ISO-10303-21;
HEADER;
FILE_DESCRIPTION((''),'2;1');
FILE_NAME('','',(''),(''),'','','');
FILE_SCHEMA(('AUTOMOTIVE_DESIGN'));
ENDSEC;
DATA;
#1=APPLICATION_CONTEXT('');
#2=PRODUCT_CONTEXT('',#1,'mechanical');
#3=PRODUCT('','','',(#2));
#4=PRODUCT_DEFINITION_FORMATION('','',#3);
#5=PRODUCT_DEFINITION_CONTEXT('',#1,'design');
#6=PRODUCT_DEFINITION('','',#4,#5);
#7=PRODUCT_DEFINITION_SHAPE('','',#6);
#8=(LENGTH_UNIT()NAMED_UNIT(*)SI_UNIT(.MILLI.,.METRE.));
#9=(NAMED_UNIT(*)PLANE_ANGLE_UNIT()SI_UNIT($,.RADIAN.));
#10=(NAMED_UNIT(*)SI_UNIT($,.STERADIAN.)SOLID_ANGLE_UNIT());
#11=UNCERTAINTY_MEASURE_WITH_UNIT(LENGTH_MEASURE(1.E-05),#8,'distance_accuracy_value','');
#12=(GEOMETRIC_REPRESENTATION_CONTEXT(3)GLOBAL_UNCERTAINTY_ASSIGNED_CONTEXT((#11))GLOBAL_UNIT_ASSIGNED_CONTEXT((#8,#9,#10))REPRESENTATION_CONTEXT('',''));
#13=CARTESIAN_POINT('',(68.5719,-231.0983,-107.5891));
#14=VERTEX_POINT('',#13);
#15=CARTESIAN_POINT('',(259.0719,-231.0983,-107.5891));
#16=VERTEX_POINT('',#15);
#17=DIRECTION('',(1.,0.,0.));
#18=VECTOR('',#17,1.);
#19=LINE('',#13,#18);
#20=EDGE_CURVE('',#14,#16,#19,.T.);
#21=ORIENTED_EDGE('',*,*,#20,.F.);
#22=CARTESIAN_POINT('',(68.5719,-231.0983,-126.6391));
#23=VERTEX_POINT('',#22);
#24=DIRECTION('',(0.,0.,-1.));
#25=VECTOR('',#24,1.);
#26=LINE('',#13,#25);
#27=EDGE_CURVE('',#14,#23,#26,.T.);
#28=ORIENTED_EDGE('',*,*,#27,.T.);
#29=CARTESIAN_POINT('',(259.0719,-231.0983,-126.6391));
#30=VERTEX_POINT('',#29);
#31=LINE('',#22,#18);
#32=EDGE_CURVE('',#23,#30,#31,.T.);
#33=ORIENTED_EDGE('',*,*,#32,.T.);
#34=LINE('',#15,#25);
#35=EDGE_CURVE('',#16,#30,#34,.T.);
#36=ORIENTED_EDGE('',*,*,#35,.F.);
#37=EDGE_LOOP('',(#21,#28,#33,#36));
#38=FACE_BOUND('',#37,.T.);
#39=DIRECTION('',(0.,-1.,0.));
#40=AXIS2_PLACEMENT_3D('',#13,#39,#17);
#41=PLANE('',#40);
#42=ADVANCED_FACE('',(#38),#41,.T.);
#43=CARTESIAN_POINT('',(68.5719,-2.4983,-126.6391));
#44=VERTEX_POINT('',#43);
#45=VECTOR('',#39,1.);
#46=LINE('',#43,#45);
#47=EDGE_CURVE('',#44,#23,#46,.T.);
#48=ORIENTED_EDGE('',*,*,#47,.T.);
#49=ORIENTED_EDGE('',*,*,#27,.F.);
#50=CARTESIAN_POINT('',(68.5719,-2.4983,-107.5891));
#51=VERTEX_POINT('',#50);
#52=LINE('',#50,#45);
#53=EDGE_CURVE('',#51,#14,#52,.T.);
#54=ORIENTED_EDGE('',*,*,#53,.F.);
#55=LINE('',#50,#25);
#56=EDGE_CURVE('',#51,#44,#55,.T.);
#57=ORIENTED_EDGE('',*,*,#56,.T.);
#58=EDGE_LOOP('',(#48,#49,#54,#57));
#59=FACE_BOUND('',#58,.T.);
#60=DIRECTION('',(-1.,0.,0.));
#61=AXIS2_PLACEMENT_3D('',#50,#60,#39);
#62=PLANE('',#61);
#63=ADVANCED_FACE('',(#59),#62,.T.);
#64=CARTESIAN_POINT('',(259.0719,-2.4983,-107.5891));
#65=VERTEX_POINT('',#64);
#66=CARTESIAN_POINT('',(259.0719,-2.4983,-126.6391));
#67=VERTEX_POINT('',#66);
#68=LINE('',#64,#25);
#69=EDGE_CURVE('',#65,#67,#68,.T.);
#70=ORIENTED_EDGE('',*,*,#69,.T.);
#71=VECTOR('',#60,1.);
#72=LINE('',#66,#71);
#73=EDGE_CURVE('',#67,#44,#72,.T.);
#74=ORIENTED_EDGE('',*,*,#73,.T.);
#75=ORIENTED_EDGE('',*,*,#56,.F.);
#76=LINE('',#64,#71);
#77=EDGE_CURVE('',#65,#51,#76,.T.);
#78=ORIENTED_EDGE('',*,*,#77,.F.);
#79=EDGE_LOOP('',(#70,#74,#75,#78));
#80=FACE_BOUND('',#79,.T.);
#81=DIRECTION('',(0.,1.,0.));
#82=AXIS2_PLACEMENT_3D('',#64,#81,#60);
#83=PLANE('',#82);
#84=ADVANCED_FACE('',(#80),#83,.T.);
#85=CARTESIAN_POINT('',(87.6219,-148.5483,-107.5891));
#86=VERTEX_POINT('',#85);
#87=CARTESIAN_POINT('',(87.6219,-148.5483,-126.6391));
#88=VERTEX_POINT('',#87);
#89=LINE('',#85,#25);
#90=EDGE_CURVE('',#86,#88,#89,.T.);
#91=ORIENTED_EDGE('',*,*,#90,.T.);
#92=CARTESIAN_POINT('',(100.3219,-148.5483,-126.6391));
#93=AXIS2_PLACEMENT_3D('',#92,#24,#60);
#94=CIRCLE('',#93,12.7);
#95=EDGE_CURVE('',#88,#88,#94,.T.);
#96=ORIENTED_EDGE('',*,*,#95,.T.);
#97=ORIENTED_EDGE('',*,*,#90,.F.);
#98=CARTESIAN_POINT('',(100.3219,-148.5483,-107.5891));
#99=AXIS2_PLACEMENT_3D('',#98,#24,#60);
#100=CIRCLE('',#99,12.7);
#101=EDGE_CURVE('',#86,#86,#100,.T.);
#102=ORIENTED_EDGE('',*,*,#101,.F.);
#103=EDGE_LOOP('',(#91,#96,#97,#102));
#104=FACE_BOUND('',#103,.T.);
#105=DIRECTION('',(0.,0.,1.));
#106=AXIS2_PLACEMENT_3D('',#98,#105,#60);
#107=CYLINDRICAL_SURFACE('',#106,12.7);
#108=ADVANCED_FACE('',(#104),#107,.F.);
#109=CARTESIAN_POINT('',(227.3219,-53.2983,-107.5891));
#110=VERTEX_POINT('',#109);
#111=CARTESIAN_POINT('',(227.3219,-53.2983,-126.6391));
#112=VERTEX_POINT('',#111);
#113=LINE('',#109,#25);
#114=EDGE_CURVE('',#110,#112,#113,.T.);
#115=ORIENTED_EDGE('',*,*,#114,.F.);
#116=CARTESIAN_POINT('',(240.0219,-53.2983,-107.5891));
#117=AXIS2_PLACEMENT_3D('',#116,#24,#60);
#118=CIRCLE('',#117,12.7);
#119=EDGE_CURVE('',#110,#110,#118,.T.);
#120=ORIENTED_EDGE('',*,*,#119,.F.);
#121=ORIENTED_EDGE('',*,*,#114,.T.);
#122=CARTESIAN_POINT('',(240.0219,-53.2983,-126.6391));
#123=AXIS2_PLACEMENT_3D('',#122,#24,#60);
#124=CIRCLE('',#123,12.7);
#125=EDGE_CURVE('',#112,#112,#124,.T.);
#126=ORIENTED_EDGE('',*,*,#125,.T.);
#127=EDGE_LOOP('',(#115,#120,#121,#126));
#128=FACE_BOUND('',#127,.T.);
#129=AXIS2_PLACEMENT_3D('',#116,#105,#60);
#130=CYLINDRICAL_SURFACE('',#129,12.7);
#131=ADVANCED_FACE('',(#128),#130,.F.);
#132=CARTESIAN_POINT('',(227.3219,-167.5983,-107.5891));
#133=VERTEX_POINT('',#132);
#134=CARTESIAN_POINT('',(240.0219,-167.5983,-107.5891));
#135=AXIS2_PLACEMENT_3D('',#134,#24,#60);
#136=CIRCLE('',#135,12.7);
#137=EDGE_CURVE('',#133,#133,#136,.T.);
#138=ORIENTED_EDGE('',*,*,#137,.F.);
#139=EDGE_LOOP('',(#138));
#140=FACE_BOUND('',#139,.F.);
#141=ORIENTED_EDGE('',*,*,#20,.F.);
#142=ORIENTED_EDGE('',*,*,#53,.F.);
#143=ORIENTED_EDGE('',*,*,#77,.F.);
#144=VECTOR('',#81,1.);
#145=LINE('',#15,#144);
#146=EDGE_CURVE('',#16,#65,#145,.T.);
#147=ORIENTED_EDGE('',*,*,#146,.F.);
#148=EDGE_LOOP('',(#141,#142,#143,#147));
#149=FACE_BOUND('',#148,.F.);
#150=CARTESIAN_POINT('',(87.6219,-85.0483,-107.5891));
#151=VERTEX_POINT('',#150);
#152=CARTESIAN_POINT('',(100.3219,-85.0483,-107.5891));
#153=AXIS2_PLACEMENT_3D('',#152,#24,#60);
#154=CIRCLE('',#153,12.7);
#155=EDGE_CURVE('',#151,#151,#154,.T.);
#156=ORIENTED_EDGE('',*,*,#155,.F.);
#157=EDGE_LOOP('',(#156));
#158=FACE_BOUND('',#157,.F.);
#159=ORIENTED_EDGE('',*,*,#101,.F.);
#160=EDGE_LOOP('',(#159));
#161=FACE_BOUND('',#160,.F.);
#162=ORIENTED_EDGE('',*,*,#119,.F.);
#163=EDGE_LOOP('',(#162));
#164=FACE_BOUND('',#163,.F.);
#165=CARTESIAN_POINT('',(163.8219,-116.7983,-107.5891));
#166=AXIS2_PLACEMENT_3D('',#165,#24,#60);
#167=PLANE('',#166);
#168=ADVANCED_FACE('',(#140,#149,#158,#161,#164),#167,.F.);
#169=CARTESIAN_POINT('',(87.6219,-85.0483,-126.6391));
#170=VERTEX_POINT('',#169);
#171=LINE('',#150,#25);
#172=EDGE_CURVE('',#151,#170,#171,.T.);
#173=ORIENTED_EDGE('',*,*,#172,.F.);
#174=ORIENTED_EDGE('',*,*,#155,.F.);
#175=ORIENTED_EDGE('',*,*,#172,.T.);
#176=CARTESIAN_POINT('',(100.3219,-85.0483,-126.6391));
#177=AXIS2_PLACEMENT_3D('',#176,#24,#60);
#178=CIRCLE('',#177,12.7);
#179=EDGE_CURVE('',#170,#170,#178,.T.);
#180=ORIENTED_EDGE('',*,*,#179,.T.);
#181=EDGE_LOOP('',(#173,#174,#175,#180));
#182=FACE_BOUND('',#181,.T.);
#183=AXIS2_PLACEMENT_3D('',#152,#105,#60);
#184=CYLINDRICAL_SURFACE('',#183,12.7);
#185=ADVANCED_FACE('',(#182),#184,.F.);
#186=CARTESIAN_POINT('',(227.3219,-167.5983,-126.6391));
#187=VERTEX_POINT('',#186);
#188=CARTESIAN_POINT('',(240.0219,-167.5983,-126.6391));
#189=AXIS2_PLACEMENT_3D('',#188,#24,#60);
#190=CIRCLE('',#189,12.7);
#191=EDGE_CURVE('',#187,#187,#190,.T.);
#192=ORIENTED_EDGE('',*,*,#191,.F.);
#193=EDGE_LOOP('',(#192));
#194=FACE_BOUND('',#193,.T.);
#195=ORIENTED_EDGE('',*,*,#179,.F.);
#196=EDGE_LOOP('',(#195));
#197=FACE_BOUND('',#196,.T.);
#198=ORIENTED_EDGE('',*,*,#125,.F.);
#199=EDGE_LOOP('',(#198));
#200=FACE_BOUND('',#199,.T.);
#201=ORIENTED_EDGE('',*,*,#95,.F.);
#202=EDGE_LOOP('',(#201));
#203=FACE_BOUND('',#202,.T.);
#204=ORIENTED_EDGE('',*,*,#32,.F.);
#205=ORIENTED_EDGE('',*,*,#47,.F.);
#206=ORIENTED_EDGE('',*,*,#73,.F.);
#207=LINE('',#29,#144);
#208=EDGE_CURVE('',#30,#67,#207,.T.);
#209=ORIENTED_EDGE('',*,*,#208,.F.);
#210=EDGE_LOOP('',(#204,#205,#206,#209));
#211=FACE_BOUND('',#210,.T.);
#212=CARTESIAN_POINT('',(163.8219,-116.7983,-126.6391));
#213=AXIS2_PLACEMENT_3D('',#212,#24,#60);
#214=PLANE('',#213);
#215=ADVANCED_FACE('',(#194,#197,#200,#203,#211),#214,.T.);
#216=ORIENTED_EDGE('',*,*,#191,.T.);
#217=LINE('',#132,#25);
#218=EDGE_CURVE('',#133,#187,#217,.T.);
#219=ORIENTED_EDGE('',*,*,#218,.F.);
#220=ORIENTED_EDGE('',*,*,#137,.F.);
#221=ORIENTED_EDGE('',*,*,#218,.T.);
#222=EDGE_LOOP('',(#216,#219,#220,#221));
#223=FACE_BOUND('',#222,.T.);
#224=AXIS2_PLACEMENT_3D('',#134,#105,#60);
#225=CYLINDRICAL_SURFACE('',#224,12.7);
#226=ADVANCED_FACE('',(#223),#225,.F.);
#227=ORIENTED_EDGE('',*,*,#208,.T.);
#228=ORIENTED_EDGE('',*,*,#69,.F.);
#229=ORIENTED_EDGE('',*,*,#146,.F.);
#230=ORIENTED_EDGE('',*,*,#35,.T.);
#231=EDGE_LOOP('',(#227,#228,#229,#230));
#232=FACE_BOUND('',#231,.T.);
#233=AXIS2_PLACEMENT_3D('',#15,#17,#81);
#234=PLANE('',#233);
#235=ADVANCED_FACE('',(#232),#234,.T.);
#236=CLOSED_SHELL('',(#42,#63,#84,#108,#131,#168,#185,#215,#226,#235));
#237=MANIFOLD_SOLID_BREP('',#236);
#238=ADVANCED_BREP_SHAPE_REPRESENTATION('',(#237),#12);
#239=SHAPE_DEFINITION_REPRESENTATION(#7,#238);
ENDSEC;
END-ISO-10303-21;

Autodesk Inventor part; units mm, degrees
ref_plane "YZ Plane" through (0, 0, 0) normal (1, 0, 0) x (0, 1, 0)
ref_plane "XZ Plane" through (0, 0, 0) normal (0, 1, 0) x (-1, 0, 0)
ref_plane "XY Plane" through (0, 0, 0) normal (0, 0, 1) x (1, 0, 0)
ref_plane "Work Plane1" through (163.8219, -116.7983, -107.5891) normal (0, 0, -1) x (-1, 0, 0)
sketch "Sketch1" plane through (163.8219, -116.7983, -107.5891) normal (0, 0, -1) x (-1, 0, 0)
  line L0 (-95.25, 114.3) -> (95.25, 114.3)
  line L1 (95.25, 114.3) -> (95.25, -114.3)
  line L2 (95.25, -114.3) -> (-95.25, -114.3)
  line L3 (-95.25, -114.3) -> (-95.25, 114.3)
  line L4 (-95.25, 114.3) -> (95.25, -114.3) construction
  line L5 (95.25, 114.3) -> (-95.25, -114.3) construction
  arc A0 (44.45, 50.8) -> (25.4, 69.85) centre (25.4, 50.8) ccw construction
  line L6 (25.4, 69.85) -> (-25.4, 69.85) construction
  arc A1 (-25.4, 69.85) -> (-44.45, 50.8) centre (-25.4, 50.8) ccw construction
  line L7 (-44.45, 50.8) -> (-44.45, -50.8) construction
  arc A2 (-44.45, -50.8) -> (-25.4, -69.85) centre (-25.4, -50.8) ccw construction
  line L8 (-25.4, -69.85) -> (25.4, -69.85) construction
  arc A3 (25.4, -69.85) -> (44.45, -50.8) centre (25.4, -50.8) ccw construction
  line L9 (44.45, -50.8) -> (44.45, 50.8) construction
  line L10 (38.1, 50.8) -> (38.1, -50.8) construction
  arc A4 (25.4, -63.5) -> (38.1, -50.8) centre (25.4, -50.8) ccw construction
  line L11 (25.4, -63.5) -> (-25.4, -63.5) construction
  arc A5 (-38.1, -50.8) -> (-25.4, -63.5) centre (-25.4, -50.8) ccw construction
  line L12 (-38.1, -50.8) -> (-38.1, 50.8) construction
  arc A6 (-25.4, 63.5) -> (-38.1, 50.8) centre (-25.4, 50.8) ccw construction
  line L13 (-25.4, 63.5) -> (25.4, 63.5) construction
  arc A7 (38.1, 50.8) -> (25.4, 63.5) centre (25.4, 50.8) ccw construction
  circle A8 centre (-76.2, 63.5) radius 12.7
  circle A9 centre (-76.2, -50.8) radius 12.7
  circle A10 centre (63.5, 31.75) radius 12.7
  circle A11 centre (63.5, -31.75) radius 12.7
  point P0 (163.8219, 116.7983)
  point P1 (0, 0)
  point P2 (0, 63.5)
  point P3 (38.1, 0)
  dimension "d0" = 228.6
  dimension "d1" = 190.5
  dimension "d2" = 25.4
  dimension "d3" = 19.05
  dimension "d4" = 114.3
  dimension "d5" = 63.5
  dimension "d6" = 31.75
  dimension "d7" = 63.5
  dimension "d8" = 82.55
extrude "Extrusion1" add sketch "Sketch1" along normal blind 19.05
properties part number "class2" material "Iron, Ductile"
